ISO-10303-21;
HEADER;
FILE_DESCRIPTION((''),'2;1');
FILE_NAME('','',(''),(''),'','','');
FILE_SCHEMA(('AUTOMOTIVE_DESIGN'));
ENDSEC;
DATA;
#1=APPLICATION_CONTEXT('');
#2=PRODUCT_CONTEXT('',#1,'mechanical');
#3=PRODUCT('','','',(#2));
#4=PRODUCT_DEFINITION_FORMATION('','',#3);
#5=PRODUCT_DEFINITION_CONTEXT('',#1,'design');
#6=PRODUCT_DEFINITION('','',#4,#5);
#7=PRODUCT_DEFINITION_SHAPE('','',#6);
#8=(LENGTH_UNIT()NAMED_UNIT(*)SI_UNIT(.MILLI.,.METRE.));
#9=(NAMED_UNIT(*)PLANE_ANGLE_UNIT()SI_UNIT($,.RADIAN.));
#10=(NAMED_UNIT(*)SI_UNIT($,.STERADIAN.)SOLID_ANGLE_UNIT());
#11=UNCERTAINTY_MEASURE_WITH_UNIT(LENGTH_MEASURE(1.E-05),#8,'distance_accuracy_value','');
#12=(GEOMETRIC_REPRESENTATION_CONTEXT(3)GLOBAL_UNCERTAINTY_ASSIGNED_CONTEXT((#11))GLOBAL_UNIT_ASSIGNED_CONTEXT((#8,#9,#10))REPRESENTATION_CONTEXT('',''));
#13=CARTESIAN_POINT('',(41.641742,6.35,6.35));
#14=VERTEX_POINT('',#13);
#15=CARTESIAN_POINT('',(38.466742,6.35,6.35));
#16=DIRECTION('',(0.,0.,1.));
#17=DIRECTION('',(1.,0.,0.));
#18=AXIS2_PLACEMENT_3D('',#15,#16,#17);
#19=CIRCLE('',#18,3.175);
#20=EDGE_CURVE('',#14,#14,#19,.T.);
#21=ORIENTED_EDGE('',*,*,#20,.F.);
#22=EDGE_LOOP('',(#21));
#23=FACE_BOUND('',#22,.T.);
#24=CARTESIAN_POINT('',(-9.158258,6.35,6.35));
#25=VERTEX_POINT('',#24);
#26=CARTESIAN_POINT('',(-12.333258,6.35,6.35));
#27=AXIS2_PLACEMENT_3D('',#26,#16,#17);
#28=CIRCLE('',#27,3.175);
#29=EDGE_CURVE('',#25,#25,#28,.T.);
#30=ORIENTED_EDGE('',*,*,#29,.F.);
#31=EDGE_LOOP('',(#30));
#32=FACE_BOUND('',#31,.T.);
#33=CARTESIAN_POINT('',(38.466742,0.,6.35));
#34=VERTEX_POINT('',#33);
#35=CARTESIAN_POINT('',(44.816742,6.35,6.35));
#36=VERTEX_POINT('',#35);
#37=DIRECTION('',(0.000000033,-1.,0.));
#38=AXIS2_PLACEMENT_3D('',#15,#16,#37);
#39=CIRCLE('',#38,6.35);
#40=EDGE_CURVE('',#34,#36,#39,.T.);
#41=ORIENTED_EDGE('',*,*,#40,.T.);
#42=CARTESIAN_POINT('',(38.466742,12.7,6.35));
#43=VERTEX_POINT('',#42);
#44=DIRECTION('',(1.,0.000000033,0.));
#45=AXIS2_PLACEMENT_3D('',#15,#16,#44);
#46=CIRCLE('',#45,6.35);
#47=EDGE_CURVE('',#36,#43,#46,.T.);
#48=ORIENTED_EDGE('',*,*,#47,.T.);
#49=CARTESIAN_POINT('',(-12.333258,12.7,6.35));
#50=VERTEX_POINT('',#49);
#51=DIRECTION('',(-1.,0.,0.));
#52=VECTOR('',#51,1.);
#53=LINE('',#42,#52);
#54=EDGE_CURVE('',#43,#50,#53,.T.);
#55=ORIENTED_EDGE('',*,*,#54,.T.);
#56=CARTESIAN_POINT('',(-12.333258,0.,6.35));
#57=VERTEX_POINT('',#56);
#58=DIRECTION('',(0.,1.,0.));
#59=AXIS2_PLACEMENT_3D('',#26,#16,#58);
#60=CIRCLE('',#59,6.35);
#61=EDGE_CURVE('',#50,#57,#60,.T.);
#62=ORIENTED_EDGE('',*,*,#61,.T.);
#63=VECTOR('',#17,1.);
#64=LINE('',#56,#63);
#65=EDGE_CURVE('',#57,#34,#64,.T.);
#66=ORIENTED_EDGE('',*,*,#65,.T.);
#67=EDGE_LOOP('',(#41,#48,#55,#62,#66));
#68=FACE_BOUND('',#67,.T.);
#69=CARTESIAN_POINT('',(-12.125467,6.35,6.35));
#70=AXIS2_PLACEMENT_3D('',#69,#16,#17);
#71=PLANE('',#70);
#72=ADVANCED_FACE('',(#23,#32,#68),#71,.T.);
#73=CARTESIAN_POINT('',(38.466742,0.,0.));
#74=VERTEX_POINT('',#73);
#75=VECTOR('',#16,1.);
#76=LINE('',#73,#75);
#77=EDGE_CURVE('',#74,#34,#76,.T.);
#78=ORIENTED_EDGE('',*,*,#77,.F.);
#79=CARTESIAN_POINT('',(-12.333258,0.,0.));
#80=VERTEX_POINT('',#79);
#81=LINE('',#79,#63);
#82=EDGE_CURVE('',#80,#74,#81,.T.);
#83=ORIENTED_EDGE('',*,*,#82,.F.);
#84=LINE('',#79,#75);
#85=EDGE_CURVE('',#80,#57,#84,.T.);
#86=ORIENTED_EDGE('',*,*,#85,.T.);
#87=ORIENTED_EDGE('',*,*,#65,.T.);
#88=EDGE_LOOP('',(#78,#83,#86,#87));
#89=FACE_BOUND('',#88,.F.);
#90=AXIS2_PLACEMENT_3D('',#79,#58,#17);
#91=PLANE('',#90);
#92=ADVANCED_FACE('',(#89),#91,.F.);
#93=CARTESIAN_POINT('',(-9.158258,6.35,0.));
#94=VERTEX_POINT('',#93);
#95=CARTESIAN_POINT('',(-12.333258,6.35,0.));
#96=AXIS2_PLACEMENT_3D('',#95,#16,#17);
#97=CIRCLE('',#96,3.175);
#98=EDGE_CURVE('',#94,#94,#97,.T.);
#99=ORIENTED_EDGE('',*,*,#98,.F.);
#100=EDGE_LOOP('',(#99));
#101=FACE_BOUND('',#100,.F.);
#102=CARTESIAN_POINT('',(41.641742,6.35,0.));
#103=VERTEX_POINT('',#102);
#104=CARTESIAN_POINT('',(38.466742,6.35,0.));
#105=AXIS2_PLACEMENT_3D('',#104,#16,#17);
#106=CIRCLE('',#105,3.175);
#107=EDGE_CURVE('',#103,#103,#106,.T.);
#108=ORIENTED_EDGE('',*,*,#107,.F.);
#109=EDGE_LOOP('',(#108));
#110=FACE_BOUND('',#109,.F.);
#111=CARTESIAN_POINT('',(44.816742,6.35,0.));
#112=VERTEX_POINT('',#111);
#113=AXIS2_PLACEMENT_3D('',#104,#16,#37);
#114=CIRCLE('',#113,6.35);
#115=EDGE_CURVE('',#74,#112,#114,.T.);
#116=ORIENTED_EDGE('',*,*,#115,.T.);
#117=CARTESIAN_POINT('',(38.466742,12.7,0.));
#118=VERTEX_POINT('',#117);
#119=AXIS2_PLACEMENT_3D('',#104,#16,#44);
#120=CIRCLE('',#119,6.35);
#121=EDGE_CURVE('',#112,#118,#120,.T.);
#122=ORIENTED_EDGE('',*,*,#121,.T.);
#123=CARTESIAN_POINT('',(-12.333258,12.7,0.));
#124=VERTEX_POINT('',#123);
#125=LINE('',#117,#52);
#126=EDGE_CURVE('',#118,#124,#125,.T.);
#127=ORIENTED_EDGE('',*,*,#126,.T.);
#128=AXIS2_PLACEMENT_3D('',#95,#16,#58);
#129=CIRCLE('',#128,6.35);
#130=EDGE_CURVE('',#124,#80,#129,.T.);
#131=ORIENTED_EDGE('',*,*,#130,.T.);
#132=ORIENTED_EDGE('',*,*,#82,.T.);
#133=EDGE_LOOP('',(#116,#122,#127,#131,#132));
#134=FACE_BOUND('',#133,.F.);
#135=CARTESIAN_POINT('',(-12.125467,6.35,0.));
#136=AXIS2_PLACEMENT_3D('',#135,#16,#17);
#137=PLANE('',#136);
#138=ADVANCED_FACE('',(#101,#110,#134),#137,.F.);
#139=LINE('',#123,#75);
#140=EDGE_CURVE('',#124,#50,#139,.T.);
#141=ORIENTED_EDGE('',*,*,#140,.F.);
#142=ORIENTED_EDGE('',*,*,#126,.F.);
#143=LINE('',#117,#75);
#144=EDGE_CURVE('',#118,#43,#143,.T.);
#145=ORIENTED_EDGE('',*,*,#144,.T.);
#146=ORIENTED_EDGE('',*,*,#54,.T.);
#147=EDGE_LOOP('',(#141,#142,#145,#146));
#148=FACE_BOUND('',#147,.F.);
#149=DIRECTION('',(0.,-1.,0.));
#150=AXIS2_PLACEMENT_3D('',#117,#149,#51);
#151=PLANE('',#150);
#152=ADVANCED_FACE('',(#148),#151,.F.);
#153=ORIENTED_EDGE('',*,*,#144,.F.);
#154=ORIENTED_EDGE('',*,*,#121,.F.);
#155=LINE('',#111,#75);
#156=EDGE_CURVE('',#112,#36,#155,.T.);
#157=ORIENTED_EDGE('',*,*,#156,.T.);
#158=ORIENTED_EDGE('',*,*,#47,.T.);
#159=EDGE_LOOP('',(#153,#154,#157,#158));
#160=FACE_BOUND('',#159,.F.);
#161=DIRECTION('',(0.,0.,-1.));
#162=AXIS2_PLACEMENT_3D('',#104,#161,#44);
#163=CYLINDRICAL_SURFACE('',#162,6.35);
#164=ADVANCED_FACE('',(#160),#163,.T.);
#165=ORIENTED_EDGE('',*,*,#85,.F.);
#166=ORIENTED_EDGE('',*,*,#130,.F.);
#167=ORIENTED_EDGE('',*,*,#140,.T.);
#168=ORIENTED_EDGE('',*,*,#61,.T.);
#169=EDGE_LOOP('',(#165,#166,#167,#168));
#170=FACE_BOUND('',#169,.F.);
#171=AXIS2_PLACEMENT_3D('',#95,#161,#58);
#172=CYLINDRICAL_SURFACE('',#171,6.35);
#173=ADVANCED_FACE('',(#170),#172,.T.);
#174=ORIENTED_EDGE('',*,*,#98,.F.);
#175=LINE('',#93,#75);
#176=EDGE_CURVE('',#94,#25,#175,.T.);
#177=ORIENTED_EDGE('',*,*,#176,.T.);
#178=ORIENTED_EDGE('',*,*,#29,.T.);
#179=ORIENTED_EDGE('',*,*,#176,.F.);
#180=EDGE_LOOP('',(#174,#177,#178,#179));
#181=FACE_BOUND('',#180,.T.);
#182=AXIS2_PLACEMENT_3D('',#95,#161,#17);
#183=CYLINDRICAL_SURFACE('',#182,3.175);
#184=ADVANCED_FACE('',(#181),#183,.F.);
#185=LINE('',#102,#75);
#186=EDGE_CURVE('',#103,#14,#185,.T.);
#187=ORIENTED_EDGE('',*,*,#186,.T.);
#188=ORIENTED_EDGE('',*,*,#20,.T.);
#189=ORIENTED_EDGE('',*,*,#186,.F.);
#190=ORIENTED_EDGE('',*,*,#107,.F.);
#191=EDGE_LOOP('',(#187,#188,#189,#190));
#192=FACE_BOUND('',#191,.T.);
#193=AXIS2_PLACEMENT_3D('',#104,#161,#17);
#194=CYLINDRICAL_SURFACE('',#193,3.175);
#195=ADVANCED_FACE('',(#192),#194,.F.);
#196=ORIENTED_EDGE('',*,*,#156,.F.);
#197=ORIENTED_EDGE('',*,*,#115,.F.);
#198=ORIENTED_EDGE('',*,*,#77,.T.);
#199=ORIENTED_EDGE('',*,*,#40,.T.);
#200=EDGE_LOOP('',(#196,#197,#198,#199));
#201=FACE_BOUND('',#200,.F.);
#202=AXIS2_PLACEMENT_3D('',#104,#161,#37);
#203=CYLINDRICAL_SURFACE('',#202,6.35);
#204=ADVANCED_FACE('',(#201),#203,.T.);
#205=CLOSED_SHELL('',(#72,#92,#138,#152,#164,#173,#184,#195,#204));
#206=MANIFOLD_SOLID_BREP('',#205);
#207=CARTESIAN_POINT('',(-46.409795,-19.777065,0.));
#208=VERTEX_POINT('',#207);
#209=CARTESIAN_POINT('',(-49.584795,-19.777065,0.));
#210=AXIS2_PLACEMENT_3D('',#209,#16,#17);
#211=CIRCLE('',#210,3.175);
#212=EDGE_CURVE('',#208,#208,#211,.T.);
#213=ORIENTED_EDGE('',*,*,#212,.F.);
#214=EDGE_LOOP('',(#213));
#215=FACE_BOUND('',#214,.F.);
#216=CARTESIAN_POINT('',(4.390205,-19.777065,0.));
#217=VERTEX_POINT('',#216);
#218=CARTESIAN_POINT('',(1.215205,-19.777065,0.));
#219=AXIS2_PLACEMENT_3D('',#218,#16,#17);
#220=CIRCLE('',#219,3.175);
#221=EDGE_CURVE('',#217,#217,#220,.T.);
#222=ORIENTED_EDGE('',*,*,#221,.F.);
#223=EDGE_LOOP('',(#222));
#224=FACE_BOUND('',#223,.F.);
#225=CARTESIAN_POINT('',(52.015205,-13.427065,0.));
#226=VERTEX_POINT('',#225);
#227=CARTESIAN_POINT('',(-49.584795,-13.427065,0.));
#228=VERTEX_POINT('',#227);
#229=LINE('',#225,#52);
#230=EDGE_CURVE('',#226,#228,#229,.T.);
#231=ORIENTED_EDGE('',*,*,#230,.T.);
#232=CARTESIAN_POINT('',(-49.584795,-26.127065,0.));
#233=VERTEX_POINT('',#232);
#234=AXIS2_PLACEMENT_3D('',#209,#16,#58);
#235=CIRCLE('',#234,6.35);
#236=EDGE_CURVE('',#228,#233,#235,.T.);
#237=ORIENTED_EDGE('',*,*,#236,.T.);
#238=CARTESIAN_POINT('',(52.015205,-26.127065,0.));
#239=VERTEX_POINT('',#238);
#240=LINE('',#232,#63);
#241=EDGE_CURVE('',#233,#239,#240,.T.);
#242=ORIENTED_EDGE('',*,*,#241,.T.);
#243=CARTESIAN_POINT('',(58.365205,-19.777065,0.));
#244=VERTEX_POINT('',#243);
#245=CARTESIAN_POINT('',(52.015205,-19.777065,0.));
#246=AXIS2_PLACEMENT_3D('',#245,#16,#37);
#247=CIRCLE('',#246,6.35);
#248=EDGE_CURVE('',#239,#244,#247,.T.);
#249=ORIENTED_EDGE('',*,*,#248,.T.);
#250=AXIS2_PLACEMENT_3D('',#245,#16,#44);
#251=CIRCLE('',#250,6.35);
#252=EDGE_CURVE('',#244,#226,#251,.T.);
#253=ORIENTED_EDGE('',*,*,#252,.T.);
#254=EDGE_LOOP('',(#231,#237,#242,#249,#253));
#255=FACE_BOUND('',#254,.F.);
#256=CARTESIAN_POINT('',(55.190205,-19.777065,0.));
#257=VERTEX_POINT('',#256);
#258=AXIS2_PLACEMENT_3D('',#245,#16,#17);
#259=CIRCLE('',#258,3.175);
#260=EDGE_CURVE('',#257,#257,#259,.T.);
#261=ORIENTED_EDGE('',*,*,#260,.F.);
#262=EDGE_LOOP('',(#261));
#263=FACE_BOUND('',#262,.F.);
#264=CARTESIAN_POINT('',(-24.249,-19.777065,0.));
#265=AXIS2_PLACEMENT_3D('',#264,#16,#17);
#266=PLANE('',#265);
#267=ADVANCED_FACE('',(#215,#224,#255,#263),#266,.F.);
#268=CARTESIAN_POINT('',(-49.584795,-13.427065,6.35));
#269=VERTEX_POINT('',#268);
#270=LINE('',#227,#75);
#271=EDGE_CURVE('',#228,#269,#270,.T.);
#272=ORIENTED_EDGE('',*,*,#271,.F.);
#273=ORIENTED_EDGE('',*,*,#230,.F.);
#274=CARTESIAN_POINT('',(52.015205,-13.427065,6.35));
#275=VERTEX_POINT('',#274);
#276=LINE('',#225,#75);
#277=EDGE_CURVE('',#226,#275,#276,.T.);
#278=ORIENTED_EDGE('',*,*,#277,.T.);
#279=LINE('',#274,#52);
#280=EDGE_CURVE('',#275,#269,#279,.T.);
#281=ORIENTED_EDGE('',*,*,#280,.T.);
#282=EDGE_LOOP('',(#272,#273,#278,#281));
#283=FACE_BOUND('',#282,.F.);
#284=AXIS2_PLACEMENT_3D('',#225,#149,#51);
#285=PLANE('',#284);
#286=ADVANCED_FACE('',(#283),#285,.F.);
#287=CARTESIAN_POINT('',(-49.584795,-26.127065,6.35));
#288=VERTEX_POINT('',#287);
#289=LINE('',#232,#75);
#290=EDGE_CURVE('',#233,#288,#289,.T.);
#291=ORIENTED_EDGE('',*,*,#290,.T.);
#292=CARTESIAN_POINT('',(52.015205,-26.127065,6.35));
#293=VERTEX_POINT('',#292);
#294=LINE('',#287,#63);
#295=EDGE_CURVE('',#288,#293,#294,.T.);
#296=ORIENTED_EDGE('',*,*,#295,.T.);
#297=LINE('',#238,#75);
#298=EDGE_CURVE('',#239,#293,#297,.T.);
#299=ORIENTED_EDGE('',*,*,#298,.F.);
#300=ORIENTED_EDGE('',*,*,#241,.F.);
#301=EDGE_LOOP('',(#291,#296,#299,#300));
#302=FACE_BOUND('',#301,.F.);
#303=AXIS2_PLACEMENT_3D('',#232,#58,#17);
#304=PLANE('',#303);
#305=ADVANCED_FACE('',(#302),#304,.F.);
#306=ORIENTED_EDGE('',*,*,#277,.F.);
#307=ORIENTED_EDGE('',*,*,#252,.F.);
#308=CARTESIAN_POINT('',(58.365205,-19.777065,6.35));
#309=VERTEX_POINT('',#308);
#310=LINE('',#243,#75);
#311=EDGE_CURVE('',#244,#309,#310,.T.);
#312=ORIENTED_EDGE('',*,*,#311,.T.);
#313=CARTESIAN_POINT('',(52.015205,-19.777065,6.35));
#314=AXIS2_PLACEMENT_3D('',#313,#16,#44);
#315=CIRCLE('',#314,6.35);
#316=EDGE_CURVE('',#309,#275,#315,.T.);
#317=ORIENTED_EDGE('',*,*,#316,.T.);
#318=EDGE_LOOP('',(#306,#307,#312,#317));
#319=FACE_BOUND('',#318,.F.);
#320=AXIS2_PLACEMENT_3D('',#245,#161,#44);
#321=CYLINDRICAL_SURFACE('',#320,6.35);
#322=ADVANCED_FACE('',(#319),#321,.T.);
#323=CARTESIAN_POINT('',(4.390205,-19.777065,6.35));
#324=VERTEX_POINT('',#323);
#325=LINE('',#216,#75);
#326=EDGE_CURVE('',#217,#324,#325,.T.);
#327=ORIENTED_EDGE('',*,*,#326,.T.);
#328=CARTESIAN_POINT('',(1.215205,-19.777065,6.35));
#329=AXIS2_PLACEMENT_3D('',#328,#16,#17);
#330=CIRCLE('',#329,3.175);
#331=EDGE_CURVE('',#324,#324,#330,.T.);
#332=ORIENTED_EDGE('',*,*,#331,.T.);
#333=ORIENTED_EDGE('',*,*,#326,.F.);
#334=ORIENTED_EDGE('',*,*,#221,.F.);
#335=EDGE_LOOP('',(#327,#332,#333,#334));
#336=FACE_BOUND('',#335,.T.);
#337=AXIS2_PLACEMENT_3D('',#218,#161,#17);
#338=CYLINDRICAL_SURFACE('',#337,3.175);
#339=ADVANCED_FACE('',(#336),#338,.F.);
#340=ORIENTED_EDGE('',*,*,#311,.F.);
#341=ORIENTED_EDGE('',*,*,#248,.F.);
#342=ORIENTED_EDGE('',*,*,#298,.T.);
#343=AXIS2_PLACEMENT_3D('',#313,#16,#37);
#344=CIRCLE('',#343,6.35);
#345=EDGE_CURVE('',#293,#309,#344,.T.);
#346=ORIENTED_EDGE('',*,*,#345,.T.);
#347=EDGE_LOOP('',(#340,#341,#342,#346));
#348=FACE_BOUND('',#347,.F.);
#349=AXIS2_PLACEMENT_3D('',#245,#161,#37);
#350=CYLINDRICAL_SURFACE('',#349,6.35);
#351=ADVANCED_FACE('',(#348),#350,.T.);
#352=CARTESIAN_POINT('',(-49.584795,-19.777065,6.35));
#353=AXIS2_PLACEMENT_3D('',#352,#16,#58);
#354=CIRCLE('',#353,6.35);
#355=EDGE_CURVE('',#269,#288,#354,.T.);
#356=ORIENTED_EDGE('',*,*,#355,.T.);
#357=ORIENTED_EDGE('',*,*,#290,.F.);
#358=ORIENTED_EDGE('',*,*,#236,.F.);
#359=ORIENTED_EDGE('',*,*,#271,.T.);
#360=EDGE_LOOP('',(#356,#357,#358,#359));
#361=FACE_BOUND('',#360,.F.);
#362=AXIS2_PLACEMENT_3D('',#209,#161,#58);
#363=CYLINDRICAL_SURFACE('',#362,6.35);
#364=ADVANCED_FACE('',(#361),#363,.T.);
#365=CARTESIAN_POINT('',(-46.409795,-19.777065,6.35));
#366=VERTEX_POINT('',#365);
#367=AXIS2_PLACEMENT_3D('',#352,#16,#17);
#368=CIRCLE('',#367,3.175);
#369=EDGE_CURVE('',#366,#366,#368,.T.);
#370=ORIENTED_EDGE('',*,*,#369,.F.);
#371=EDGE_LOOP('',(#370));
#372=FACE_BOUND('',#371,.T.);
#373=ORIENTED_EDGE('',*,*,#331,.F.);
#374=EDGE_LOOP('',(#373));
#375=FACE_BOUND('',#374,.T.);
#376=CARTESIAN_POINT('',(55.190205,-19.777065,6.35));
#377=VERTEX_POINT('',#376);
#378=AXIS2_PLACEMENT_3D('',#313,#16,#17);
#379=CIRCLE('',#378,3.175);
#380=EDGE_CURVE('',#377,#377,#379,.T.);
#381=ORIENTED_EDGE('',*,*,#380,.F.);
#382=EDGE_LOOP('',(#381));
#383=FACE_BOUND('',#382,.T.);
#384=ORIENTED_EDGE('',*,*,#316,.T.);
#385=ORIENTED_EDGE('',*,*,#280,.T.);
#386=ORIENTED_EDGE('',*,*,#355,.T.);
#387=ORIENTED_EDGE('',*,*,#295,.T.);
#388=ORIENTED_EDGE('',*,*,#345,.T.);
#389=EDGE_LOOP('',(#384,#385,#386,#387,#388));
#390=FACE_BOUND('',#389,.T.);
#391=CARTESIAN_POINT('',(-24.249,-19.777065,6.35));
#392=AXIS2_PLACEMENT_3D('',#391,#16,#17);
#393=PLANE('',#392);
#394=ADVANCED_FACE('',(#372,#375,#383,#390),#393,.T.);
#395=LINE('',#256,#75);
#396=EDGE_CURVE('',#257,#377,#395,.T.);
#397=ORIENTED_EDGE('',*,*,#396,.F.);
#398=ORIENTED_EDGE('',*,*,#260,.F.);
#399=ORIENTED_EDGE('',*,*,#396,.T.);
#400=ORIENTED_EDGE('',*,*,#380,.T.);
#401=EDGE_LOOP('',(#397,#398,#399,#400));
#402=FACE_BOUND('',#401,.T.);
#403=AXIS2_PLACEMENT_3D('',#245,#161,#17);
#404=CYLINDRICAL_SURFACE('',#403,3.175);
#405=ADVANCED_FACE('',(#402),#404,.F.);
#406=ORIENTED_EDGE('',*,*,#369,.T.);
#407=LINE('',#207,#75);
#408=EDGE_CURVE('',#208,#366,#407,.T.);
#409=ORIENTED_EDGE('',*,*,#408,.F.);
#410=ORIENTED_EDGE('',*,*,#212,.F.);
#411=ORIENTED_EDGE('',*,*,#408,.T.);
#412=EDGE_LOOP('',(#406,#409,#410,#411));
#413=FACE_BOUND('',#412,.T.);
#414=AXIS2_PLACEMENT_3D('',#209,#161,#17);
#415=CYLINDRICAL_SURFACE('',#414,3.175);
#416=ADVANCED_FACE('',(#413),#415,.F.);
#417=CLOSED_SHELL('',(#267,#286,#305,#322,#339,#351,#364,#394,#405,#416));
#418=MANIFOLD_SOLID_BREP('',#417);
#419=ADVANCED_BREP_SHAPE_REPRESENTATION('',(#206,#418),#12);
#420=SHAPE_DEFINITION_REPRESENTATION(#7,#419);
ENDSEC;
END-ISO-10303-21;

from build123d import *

# Parameters (mm, degrees)
F0_R     = 3.175
F1_DEPTH = 6.35


with BuildPart() as f1:
    # F0 (on Top) → F1 (new body)
    with BuildSketch(Plane.XY):
        with BuildLine():
            ThreePointArc((-12.333258, 0), (-7.84313, 1.859872), (-5.983258, 6.35))
            ThreePointArc((-5.983258, 6.35), (-7.84313, 10.840128), (-12.333258, 12.7))
            ThreePointArc((-12.333258, 12.7), (-18.683258, 6.35), (-12.333258, 0))
        make_face()
        with Locations((-12.333258, 6.35)):
            Circle(F0_R, mode=Mode.SUBTRACT)
        with BuildLine():
            ThreePointArc((-12.333258, 12.7), (-7.84313, 10.840128), (-5.983258, 6.35))
            ThreePointArc((-5.983258, 6.35), (-7.84313, 1.859872), (-12.333258, 0))
            Line((-12.333258, 0), (38.466742, 0))
            ThreePointArc((38.466742, 0), (32.116742, 6.35), (38.466742, 12.7))
            Line((38.466742, 12.7), (-12.333258, 12.7))
        make_face()
        with BuildLine():
            ThreePointArc((44.816742, 6.35), (42.95687, 10.840128), (38.466742, 12.7))
            ThreePointArc((38.466742, 12.7), (32.116742, 6.35), (38.466742, 0))
            ThreePointArc((38.466742, 0), (42.95687, 1.859872), (44.816742, 6.35))
        make_face()
        with Locations((38.466742, 6.35)):
            Circle(F0_R, mode=Mode.SUBTRACT)
        with BuildLine():
            ThreePointArc((-49.584795, -13.427065), (-45.094667, -15.286937), (-43.234795, -19.777065))
            ThreePointArc((-43.234795, -19.777065), (-45.094667, -24.267193), (-49.584795, -26.127065))
            Line((-49.584795, -26.127065), (1.215205, -26.127065))
            ThreePointArc((1.215205, -26.127065), (-5.134795, -19.777065), (1.215205, -13.427065))
            Line((1.215205, -13.427065), (-49.584795, -13.427065))
        make_face()
        with BuildLine():
            Line((52.015205, -13.427065), (1.215205, -13.427065))
            ThreePointArc((1.215205, -13.427065), (5.705333, -15.286937), (7.565205, -19.777065))
            ThreePointArc((7.565205, -19.777065), (5.705333, -24.267193), (1.215205, -26.127065))
            Line((1.215205, -26.127065), (52.015205, -26.127065))
            ThreePointArc((52.015205, -26.127065), (45.665205, -19.777065), (52.015205, -13.427065))
        make_face()
        with BuildLine():
            ThreePointArc((58.365205, -19.777065), (56.505333, -15.286937), (52.015205, -13.427065))
            ThreePointArc((52.015205, -13.427065), (45.665205, -19.777065), (52.015205, -26.127065))
            ThreePointArc((52.015205, -26.127065), (56.505333, -24.267193), (58.365205, -19.777065))
        make_face()
        with Locations((52.015205, -19.777065)):
            Circle(F0_R, mode=Mode.SUBTRACT)
        with BuildLine():
            ThreePointArc((7.565205, -19.777065), (5.705333, -15.286937), (1.215205, -13.427065))
            ThreePointArc((1.215205, -13.427065), (-5.134795, -19.777065), (1.215205, -26.127065))
            ThreePointArc((1.215205, -26.127065), (5.705333, -24.267193), (7.565205, -19.777065))
        make_face()
        with Locations((1.215205, -19.777065)):
            Circle(F0_R, mode=Mode.SUBTRACT)
        with BuildLine():
            ThreePointArc((-49.584795, -26.127065), (-45.094667, -24.267193), (-43.234795, -19.777065))
            ThreePointArc((-43.234795, -19.777065), (-45.094667, -15.286937), (-49.584795, -13.427065))
            ThreePointArc((-49.584795, -13.427065), (-55.934795, -19.777065), (-49.584795, -26.127065))
        make_face()
        with Locations((-49.584795, -19.777065)):
            Circle(F0_R, mode=Mode.SUBTRACT)
    extrude(amount=F1_DEPTH)


solid = f1.part
